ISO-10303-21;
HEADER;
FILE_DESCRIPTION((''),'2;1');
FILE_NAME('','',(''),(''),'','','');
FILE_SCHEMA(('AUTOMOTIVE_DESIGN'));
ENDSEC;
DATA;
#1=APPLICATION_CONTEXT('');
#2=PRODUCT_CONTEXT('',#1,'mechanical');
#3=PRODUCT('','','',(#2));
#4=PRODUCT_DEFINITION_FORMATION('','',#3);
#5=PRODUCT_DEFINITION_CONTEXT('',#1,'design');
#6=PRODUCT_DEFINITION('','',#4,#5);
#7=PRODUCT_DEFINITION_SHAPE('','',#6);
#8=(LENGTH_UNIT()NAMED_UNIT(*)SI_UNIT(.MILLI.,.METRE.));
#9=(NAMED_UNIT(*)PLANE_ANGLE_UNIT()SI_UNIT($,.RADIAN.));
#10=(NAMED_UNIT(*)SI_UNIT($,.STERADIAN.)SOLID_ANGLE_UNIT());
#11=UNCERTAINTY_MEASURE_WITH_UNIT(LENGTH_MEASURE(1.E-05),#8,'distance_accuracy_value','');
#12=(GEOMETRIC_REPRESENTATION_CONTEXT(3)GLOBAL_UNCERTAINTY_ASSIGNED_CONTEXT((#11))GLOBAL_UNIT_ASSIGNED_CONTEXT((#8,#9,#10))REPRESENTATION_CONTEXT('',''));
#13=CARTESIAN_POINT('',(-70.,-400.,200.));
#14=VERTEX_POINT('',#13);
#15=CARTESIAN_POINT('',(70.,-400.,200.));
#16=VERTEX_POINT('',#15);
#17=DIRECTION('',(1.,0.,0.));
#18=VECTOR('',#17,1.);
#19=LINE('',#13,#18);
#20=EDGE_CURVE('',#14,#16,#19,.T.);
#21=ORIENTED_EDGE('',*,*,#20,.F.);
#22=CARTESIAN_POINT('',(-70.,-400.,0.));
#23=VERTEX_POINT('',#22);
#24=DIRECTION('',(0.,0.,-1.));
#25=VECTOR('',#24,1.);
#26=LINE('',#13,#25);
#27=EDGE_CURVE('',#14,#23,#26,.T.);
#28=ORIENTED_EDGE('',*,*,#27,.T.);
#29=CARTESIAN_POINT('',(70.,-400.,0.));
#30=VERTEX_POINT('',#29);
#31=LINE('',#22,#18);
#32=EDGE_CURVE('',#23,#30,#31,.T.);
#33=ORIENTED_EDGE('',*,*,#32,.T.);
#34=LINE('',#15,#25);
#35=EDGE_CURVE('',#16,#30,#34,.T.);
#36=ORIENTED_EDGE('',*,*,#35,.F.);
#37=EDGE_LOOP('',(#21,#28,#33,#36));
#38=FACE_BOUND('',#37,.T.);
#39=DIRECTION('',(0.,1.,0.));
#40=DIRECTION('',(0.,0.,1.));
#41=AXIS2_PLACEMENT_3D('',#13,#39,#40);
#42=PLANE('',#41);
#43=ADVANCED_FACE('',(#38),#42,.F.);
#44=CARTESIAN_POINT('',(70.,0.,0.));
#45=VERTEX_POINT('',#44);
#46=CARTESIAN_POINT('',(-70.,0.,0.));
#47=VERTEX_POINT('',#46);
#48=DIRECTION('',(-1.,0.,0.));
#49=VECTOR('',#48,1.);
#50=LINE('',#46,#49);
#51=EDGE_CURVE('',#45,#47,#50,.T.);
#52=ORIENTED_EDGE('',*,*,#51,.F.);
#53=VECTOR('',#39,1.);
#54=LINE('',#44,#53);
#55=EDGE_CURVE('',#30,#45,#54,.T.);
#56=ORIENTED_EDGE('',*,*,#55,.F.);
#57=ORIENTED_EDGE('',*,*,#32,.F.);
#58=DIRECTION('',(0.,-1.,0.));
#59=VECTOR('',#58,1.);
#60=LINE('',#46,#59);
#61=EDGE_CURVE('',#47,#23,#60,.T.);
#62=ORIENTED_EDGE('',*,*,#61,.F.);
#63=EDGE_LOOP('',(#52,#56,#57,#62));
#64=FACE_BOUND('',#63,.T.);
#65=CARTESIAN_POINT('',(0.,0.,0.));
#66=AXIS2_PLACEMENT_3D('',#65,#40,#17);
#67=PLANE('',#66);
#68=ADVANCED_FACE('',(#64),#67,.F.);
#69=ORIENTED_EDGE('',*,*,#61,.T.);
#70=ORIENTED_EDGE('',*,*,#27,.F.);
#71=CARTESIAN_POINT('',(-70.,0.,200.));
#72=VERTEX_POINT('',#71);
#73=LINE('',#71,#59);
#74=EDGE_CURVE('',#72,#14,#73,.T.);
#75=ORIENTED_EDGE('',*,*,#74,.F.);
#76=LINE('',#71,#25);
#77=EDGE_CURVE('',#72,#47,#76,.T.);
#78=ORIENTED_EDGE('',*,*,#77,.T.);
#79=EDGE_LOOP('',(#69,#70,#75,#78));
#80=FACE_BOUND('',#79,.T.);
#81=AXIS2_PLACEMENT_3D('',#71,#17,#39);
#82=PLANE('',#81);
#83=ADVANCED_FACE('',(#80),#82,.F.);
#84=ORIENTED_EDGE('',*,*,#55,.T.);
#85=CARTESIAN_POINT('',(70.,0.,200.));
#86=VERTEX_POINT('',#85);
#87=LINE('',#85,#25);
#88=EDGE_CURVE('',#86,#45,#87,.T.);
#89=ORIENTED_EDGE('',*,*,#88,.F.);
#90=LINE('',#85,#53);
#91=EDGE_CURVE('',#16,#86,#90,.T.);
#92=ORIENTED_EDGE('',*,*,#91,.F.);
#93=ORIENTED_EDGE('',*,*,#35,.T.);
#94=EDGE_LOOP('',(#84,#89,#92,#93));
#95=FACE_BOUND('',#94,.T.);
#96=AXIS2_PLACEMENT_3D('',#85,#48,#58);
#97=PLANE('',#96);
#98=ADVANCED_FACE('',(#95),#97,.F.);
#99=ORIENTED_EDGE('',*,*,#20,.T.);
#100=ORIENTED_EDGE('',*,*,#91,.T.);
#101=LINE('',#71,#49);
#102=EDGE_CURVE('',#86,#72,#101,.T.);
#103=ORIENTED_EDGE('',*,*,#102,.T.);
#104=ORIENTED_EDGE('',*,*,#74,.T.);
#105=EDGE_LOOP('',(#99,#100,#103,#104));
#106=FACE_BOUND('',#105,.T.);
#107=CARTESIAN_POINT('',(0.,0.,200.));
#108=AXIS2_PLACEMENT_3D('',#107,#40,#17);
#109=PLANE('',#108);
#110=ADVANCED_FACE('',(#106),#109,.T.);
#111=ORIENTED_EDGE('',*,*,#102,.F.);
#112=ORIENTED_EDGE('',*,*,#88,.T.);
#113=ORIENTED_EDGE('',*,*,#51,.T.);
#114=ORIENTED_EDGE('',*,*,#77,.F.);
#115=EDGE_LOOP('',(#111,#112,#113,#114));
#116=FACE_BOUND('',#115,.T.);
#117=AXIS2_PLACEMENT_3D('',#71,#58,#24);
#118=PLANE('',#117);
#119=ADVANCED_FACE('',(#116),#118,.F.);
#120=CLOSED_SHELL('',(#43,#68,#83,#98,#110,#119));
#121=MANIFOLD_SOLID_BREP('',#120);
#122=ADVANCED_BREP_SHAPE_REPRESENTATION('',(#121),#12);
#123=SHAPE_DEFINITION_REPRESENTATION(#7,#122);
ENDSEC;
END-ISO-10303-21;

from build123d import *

# Parameters (mm, degrees)
SCHIZZO1_W                   = 140
SCHIZZO1_H                   = 400
ESTRUSIONE_ESTRUSIONE1_DEPTH = 200


with BuildPart() as part:
    # Schizzo1 → Estrusione-Estrusione1 (new body)
    with BuildSketch(Plane.XY):
        with Locations((0, -200)):
            Rectangle(SCHIZZO1_W, SCHIZZO1_H)
    extrude(amount=ESTRUSIONE_ESTRUSIONE1_DEPTH)


solid = part.part
